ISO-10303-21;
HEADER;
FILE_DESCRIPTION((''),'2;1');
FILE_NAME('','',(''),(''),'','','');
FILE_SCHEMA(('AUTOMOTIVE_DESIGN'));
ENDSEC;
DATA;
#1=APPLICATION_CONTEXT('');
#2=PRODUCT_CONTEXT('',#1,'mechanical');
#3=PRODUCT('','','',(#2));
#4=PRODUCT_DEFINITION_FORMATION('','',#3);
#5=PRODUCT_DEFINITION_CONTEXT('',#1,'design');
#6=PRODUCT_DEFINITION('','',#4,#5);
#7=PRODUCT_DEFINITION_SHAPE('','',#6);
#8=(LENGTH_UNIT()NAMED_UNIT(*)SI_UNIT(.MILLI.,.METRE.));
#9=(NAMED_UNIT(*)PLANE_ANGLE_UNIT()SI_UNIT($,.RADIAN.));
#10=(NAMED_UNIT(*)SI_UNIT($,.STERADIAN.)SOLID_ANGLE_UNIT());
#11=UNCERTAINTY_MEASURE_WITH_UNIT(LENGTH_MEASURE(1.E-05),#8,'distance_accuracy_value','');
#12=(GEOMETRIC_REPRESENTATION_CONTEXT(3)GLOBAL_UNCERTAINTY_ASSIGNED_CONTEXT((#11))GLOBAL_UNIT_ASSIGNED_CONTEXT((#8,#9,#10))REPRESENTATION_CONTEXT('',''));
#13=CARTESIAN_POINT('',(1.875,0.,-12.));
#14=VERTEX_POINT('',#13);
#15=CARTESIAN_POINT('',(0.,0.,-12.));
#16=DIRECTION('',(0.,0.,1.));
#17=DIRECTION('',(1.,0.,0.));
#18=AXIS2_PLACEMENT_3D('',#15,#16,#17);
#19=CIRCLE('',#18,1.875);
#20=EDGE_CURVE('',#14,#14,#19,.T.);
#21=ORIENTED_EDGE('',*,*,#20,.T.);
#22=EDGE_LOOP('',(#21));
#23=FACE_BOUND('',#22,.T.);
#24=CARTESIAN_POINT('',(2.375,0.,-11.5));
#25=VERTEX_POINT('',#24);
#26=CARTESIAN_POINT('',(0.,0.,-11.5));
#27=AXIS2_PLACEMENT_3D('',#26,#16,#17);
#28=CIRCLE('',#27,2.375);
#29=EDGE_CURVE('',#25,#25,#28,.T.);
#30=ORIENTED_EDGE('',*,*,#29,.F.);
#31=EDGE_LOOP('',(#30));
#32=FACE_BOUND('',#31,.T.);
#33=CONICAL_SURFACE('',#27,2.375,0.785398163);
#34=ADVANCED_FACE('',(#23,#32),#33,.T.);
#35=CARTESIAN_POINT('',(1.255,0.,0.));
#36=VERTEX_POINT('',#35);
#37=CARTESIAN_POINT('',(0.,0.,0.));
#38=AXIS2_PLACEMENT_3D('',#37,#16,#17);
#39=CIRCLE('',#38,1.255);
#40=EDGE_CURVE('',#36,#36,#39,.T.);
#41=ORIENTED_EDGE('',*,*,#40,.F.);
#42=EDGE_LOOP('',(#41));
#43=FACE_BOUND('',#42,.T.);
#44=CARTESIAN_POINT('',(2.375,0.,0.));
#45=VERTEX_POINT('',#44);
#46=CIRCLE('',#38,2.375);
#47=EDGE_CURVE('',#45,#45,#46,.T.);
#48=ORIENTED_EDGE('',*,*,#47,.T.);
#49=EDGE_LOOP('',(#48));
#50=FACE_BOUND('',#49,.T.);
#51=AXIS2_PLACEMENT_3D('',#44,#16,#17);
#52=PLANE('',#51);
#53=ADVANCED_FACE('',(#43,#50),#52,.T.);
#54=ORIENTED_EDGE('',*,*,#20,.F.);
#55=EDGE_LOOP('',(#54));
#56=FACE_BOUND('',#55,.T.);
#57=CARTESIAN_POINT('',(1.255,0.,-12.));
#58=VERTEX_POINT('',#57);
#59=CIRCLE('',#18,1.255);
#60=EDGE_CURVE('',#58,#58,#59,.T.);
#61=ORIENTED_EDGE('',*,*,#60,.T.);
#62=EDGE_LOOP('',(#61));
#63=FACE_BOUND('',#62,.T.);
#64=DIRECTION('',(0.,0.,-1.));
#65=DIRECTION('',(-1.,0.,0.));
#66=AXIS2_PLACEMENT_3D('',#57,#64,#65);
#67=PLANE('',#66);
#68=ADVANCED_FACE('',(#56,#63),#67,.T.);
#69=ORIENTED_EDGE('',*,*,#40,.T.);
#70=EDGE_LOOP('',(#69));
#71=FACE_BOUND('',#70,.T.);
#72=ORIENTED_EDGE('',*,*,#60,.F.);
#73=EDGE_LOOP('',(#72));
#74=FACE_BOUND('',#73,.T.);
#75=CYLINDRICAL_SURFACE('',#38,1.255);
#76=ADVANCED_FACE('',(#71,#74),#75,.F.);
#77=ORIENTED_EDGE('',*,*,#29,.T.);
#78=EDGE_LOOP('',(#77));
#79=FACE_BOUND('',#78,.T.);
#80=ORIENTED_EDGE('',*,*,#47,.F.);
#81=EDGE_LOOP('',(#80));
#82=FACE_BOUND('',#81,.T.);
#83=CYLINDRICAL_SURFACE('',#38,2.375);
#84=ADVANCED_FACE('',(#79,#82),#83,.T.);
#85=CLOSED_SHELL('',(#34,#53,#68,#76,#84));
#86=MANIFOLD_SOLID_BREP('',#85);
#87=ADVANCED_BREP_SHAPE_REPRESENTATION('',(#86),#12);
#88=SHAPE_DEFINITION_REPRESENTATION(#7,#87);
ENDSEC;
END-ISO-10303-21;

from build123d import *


with BuildPart() as part:
    # Sketch3 → Revolve1 (revolve)
    with BuildSketch(Plane(origin=(0, 0, 0), x_dir=(1, 0, 0), z_dir=(0, 1, 0))):
        Polygon((1.255, 0), (1.255, 12), (1.875, 12), (2.375, 11.5), (2.375, 0), align=None)
    revolve(axis=Axis((0, 0, 0), (0, 0, -1)))


solid = part.part
